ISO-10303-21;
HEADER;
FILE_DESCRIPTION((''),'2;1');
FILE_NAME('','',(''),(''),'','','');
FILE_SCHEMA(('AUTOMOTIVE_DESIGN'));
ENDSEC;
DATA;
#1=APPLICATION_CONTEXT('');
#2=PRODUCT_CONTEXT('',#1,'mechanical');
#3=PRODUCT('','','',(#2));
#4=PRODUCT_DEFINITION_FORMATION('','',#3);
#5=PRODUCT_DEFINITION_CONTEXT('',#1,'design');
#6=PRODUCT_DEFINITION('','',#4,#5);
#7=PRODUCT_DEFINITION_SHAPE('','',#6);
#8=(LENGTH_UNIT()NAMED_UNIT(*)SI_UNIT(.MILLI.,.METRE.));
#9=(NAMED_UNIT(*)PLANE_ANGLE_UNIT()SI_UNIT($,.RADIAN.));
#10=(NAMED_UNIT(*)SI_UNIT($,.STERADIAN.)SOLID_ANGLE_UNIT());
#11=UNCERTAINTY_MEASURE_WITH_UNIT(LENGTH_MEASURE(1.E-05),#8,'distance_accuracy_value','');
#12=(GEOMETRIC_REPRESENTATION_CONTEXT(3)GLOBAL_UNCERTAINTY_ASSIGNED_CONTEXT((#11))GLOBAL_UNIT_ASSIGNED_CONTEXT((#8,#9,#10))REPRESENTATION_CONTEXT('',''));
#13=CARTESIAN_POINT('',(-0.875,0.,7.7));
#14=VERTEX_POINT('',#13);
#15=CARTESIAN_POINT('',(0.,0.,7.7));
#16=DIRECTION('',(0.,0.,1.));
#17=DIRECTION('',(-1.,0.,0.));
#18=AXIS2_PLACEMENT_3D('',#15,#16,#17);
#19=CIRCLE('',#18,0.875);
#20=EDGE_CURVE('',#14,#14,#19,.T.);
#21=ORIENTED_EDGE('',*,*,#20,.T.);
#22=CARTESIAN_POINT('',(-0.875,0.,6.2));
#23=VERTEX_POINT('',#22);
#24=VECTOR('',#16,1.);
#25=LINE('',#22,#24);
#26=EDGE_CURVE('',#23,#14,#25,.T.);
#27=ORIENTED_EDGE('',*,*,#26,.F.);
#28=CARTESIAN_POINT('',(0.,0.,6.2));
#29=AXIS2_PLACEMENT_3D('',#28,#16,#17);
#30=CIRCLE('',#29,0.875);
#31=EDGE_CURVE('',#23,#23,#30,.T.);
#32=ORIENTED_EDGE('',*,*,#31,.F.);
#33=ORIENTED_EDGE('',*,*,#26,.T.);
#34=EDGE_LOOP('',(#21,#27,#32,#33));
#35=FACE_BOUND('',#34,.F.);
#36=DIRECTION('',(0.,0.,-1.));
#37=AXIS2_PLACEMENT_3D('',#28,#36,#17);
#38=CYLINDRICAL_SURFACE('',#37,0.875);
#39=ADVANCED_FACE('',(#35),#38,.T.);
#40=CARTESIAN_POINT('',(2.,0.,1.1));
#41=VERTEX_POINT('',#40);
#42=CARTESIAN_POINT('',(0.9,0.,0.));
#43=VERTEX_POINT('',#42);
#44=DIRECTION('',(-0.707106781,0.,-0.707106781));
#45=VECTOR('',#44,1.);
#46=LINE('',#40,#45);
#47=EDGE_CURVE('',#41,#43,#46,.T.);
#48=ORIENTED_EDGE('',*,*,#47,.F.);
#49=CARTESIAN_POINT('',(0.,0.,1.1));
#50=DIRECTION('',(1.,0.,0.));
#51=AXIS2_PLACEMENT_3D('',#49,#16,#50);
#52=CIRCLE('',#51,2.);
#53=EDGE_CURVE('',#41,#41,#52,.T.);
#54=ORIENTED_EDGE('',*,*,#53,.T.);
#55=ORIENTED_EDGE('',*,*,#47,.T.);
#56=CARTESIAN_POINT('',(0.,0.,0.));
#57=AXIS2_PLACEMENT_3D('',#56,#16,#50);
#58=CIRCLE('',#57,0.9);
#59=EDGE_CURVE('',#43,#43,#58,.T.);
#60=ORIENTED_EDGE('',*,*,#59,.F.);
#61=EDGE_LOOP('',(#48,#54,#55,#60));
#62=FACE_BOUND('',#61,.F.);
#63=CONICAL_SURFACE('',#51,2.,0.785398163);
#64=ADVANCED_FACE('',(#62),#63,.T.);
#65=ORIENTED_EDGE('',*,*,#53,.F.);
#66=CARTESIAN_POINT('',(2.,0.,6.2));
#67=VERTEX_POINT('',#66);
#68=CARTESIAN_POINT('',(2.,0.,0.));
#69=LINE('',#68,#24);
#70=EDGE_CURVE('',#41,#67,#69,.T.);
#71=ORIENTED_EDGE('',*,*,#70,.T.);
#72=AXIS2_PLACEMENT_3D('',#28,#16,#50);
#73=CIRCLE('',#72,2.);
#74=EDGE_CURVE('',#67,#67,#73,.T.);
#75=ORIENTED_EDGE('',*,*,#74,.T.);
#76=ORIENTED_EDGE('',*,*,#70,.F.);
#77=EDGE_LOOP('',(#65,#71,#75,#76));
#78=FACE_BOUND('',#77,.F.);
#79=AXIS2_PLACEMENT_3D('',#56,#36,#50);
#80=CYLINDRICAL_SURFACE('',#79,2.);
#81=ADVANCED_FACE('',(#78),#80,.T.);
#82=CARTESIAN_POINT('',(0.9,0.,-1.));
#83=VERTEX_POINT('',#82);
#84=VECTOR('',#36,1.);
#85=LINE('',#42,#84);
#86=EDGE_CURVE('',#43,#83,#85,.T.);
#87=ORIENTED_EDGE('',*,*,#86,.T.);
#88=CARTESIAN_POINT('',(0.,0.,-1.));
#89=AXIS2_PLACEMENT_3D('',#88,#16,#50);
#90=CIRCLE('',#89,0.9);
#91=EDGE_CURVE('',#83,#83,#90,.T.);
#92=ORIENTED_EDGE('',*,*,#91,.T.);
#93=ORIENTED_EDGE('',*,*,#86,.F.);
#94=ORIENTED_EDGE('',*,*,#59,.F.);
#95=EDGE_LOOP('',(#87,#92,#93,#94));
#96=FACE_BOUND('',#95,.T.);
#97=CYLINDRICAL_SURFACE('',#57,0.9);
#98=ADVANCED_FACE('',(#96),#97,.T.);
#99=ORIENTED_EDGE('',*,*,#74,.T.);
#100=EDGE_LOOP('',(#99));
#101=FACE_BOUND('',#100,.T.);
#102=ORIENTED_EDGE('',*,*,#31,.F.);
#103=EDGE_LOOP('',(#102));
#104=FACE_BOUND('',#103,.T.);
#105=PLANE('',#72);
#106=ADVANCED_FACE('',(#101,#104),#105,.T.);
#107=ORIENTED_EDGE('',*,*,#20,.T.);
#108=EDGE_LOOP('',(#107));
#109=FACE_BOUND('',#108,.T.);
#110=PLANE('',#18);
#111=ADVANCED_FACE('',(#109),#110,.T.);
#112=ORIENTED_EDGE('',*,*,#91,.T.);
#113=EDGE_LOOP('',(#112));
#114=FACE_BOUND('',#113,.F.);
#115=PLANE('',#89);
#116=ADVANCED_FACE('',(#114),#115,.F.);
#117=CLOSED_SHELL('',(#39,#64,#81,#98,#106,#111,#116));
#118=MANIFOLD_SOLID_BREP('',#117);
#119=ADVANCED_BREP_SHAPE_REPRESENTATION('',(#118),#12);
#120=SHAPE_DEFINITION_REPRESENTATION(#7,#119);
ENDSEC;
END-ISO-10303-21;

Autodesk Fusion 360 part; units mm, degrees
sketch "Sketch1" plane through (0, 0, 0) normal (0, 0, 1) x (1, 0, 0)
  circle A0 centre (0, 0) radius 2
  dimension "d1" = 4
extrude "Extrude1" add sketch "Sketch1" along normal blind 6.2
sketch "Sketch2" plane through (0, 0, 6.2) normal (0, 0, 1) x (-1, 0, 0)
  circle A0 centre (0, 0) radius 2
  circle A1 centre (0, 0) radius 0.875
  dimension "d4" = 1.75
extrude "Extrude2" add sketch "Sketch2" along normal blind 1.5 contours A1
chamfer "Chamfer2" distance 1.1 angle 45 1 edges at (-1.8647, -0.7232, 0)
extrude "Extrude4" add 1 faces at (0.4737, -0.323, 0) along direction (0, 0, -1) blind 1
